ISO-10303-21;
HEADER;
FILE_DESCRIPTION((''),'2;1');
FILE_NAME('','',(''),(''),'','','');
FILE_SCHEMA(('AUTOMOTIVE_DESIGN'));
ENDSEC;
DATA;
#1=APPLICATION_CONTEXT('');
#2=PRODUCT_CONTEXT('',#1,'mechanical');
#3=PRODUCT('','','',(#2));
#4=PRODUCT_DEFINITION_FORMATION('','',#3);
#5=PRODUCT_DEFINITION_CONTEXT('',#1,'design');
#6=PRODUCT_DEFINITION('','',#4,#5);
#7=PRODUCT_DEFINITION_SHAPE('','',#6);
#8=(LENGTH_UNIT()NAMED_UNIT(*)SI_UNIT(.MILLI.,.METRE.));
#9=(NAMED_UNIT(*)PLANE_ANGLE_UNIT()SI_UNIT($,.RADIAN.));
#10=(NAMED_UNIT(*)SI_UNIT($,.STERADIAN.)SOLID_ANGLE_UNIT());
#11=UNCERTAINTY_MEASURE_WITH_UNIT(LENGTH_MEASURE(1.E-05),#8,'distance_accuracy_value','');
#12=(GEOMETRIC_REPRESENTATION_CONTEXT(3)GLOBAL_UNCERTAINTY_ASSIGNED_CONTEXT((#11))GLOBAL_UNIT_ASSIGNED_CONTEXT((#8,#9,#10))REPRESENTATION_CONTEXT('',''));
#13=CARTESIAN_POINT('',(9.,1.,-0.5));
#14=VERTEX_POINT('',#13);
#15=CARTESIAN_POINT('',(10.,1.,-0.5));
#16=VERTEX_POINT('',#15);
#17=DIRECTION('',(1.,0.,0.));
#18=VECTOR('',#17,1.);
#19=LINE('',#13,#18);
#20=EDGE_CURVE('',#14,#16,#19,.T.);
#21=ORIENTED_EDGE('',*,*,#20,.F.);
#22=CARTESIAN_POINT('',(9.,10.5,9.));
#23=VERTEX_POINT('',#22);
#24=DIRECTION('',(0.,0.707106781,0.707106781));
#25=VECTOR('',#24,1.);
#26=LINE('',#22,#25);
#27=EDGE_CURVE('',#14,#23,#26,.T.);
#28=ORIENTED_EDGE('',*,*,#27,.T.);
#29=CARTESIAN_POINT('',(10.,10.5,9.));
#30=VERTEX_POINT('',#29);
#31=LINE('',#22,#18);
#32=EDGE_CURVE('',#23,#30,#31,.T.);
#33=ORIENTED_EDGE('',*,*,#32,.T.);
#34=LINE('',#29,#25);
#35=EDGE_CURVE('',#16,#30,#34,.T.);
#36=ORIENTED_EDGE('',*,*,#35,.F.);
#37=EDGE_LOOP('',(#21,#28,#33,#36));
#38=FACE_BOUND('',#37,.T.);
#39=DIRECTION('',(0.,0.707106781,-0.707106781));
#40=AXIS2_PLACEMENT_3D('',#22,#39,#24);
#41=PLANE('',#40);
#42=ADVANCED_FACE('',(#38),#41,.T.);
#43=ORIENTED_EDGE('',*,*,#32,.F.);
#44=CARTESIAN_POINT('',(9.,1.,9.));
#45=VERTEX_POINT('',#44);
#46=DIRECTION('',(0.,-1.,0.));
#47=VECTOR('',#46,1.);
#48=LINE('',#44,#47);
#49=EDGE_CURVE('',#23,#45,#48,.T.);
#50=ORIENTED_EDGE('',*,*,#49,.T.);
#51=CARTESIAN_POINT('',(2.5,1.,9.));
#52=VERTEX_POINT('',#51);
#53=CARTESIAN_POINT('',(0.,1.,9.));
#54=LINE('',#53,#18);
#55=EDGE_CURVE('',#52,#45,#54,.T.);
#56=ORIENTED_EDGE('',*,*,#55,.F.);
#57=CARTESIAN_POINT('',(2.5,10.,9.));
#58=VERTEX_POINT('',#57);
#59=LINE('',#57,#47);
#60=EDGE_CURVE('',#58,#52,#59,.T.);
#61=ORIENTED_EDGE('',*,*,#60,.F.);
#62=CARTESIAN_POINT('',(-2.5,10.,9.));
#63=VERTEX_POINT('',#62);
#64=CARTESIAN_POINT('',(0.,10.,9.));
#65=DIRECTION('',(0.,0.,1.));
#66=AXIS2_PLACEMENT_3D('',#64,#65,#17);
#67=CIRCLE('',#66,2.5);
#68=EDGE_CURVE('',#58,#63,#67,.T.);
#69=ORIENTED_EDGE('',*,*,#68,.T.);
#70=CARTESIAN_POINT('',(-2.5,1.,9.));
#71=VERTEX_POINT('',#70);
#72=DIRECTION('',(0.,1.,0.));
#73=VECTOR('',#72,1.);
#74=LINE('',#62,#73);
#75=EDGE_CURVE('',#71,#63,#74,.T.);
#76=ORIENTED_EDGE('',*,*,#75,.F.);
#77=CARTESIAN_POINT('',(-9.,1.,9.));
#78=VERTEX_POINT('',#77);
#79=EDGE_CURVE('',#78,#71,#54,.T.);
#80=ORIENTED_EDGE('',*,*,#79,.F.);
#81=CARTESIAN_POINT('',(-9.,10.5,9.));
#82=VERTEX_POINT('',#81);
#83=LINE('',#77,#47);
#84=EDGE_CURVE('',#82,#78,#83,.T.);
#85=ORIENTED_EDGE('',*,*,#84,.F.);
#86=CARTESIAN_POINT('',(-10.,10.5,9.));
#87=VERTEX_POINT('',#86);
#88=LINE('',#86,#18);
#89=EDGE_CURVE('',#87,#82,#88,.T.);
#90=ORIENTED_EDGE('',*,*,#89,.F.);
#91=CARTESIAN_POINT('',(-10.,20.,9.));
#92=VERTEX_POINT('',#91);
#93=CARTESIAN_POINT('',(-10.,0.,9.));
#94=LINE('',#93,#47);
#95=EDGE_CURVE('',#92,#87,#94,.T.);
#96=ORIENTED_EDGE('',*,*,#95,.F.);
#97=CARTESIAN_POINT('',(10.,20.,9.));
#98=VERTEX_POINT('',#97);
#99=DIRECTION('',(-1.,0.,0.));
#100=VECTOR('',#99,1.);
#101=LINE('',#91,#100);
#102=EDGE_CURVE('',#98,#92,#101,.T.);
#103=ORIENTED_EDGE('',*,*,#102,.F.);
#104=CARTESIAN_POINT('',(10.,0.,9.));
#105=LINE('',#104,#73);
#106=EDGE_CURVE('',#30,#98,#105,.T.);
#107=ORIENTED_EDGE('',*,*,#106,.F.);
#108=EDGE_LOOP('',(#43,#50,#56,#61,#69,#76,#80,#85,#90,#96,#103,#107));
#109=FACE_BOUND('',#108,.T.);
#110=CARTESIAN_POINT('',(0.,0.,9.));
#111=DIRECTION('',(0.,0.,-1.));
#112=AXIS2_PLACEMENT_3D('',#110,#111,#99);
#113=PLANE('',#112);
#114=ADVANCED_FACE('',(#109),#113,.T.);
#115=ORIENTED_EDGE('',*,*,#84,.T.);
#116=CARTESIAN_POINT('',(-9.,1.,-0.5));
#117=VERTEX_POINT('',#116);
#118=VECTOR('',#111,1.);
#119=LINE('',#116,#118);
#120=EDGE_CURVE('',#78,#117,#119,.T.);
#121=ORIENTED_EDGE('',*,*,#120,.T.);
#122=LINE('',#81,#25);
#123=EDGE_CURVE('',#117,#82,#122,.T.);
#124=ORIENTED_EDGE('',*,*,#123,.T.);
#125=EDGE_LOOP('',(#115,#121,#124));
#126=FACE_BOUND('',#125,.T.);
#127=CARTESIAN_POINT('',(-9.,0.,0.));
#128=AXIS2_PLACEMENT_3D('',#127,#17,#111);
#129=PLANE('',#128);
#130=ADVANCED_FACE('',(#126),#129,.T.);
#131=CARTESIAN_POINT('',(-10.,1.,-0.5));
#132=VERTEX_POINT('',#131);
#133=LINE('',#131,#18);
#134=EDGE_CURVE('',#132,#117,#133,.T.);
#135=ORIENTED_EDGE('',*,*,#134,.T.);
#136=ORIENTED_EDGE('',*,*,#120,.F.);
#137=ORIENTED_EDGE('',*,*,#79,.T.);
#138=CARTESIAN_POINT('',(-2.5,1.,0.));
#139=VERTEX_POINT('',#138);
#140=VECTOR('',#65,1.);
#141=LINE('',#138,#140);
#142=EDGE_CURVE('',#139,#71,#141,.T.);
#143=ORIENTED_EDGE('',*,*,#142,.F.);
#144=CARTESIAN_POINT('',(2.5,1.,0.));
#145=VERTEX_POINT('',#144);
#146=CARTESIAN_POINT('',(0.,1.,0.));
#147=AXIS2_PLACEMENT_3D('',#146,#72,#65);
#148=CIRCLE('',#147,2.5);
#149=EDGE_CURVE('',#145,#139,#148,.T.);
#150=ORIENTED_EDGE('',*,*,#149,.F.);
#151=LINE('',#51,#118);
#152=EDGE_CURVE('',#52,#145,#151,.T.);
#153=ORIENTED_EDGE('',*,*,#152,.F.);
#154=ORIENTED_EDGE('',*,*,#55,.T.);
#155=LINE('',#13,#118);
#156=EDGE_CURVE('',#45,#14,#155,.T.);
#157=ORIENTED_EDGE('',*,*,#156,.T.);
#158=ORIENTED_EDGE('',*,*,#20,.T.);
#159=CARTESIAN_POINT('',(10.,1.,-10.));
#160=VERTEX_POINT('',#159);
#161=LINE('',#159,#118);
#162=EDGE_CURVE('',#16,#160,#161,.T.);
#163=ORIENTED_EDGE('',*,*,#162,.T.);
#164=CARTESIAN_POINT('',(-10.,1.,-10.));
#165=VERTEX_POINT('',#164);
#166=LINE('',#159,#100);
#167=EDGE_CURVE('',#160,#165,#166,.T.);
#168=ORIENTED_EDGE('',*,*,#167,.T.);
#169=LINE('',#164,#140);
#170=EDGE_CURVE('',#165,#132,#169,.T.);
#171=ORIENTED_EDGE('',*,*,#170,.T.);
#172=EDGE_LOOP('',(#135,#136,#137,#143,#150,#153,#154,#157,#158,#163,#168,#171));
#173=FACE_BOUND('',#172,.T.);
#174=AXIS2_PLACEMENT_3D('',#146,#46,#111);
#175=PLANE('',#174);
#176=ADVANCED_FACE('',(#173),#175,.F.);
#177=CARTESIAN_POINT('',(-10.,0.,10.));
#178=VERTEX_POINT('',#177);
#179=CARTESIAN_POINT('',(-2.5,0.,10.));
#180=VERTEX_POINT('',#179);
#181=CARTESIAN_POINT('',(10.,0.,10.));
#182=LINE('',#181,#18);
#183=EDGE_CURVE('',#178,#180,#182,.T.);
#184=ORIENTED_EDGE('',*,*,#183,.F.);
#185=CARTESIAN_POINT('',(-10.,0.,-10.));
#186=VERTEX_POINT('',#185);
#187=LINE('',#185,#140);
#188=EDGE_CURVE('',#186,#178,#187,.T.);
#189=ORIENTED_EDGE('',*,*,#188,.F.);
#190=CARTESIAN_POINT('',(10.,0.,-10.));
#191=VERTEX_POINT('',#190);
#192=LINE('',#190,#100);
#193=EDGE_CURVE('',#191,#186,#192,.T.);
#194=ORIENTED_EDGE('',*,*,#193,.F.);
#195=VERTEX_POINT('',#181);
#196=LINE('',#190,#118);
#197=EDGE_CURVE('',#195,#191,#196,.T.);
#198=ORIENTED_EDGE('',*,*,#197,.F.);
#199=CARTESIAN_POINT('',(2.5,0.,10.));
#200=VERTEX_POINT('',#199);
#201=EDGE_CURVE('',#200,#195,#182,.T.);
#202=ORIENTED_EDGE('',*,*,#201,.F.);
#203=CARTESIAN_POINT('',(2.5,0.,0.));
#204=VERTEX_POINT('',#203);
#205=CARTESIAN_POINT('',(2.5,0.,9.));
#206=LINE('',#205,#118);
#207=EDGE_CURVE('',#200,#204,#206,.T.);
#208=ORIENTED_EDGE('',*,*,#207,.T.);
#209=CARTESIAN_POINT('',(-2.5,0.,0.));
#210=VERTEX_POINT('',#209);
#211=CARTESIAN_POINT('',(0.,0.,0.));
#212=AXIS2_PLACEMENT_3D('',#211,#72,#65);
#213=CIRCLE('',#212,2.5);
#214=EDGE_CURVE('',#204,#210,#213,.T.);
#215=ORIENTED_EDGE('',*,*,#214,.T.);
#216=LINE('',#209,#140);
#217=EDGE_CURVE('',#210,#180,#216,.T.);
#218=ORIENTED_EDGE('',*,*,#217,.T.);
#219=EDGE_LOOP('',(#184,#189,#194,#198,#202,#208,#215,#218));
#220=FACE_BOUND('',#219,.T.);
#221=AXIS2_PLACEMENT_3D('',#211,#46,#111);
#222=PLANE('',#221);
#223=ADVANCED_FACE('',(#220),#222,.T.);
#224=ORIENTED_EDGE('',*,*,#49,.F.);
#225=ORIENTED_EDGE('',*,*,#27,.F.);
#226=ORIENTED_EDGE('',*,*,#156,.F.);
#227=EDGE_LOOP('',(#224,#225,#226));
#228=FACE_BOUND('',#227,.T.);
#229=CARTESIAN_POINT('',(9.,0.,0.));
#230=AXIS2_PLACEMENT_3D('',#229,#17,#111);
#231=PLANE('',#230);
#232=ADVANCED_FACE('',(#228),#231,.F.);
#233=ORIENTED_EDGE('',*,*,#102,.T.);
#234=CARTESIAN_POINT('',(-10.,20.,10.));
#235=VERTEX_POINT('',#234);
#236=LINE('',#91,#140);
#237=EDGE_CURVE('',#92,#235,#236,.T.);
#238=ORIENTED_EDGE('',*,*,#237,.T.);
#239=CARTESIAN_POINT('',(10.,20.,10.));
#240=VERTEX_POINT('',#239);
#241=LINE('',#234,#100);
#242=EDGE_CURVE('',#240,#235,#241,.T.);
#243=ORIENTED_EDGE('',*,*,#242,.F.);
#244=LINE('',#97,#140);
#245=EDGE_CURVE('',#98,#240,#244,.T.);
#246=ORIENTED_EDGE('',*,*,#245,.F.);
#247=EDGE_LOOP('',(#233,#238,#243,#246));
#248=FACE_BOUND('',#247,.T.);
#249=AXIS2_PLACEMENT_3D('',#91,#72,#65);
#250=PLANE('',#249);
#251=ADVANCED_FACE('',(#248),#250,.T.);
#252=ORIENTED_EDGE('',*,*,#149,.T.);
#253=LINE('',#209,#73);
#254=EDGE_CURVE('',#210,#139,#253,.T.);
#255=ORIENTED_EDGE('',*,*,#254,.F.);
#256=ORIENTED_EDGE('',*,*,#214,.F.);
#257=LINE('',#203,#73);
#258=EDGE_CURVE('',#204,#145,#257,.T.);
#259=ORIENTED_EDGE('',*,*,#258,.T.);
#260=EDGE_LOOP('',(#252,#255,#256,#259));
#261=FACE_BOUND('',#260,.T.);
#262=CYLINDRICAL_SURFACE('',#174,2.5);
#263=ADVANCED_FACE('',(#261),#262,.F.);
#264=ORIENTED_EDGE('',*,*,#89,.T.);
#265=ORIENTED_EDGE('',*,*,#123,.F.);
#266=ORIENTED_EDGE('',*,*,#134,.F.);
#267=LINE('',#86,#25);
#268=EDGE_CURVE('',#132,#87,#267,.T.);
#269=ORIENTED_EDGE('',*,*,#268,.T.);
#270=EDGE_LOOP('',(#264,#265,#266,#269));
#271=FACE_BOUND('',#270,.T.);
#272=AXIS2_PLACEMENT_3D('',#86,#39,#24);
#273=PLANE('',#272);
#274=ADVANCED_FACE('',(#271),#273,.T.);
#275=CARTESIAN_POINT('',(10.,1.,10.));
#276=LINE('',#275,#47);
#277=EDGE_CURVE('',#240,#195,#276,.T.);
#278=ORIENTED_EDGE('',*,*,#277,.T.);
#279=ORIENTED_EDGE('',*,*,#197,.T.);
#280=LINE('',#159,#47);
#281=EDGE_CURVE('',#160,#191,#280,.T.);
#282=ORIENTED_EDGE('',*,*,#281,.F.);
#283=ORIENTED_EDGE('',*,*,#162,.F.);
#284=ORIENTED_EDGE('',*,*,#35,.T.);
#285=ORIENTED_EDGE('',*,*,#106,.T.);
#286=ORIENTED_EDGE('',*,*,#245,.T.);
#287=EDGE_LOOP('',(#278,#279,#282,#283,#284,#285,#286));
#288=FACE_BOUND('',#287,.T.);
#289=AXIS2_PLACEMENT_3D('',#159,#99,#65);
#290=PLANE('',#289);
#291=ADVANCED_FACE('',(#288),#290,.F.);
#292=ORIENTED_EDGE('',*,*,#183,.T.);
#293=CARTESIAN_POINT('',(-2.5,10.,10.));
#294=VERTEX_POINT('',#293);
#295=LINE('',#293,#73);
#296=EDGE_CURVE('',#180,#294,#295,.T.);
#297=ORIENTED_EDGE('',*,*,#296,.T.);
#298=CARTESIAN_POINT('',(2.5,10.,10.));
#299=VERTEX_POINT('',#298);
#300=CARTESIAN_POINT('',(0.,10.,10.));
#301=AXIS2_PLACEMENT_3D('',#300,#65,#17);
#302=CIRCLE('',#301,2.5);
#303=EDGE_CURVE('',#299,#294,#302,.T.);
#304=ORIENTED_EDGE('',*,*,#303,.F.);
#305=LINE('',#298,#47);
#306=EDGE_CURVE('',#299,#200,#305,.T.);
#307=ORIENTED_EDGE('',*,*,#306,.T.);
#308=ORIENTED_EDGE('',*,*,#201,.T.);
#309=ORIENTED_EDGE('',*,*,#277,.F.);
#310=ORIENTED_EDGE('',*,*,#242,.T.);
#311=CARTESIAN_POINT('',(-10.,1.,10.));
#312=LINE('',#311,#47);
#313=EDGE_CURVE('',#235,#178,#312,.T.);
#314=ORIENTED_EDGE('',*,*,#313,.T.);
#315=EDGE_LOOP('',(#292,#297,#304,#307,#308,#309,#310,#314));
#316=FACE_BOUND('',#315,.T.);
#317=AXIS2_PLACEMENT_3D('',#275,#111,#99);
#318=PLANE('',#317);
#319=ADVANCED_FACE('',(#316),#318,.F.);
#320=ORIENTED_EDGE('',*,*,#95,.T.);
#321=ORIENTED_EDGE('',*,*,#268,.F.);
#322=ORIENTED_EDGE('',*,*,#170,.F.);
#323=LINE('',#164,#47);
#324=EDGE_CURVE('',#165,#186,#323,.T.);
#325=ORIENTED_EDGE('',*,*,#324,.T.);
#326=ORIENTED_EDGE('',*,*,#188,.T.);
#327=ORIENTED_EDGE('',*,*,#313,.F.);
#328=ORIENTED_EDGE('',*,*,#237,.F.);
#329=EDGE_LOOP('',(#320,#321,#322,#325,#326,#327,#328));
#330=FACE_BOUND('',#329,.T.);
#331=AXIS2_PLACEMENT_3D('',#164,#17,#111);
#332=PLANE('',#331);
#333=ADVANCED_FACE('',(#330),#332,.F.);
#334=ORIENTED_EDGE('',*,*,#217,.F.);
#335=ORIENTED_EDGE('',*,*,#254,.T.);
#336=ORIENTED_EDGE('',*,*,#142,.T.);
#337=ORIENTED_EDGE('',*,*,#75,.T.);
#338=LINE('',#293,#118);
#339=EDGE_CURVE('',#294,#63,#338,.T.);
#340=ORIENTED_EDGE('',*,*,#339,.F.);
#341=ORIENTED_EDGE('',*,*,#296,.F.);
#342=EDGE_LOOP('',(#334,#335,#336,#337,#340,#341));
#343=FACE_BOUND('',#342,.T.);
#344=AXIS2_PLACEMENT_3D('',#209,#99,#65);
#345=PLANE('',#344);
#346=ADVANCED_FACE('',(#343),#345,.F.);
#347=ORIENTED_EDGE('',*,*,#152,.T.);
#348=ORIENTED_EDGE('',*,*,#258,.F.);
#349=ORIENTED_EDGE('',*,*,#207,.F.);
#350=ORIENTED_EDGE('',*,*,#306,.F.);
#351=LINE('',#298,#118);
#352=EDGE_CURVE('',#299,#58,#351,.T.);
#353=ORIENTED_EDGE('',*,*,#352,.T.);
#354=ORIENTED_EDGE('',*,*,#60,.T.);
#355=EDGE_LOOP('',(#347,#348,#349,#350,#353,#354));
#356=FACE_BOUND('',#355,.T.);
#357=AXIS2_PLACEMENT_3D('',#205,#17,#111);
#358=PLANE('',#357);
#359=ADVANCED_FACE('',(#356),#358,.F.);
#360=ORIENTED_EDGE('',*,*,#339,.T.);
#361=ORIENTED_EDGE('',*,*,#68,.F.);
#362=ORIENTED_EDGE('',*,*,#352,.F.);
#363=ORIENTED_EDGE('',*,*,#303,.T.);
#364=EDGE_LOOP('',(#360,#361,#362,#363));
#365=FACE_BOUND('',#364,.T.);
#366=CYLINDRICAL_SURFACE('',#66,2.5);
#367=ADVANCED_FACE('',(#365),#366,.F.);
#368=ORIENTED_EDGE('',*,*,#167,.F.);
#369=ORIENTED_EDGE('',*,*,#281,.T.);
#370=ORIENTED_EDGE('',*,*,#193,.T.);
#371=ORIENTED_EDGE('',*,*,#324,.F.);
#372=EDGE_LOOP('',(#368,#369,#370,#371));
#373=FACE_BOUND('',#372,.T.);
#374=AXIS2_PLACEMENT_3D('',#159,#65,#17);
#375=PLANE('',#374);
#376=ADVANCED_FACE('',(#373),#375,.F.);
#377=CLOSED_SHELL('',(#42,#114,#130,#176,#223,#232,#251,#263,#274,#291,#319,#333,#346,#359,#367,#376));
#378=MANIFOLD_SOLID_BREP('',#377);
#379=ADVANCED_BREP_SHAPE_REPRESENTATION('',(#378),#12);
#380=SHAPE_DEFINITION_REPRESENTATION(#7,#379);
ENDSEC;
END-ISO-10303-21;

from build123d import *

# Parameters (mm, degrees)
SKETCH1_W           = 20
SKETCH1_H           = 20
SKETCH1_R           = 2.5
BOSS_EXTRUDE1_DEPTH = 1
SKETCH2_W           = 20
SKETCH2_H           = 20
SKETCH2_R           = 2.5
BOSS_EXTRUDE2_DEPTH = 1
BOSS_EXTRUDE3_DEPTH = 1
BOSS_EXTRUDE4_START = -19
BOSS_EXTRUDE4_DEPTH = 1
SKETCH5_W           = 5
SKETCH5_H           = 9
CUT_EXTRUDE1_DEPTH  = 24.685438565
SKETCH4_W           = 5
SKETCH4_H           = 10
CUT_EXTRUDE2_DEPTH  = 30.342801502


with BuildPart() as part:
    # Sketch1 → Boss-Extrude1 (new body)
    with BuildSketch(Plane(origin=(0, 0, 0), x_dir=(1, 0, 0), z_dir=(0, 1, 0))):
        Rectangle(SKETCH1_W, SKETCH1_H)
        Circle(SKETCH1_R, mode=Mode.SUBTRACT)
    extrude(amount=BOSS_EXTRUDE1_DEPTH)

    # Sketch2 → Boss-Extrude2 (add)
    with BuildSketch(Plane.XY.offset(10)):
        with Locations((0, 10)):
            Rectangle(SKETCH2_W, SKETCH2_H)
        with Locations((0, 10)):
            Circle(SKETCH2_R, mode=Mode.SUBTRACT)
    extrude(amount=-BOSS_EXTRUDE2_DEPTH)

    # Sketch3 → Boss-Extrude3 (add)
    with BuildSketch(Plane(origin=(10, 0, 0), x_dir=(0, 0, -1), z_dir=(1, 0, 0))):
        Polygon((-9, 10.5), (0.5, 1), (-9, 1), align=None)
    extrude(amount=-BOSS_EXTRUDE3_DEPTH)

    # Sketch3<2> → Boss-Extrude4 (add)
    with BuildSketch(Plane(origin=(10, 0, 0), x_dir=(0, 0, -1), z_dir=(1, 0, 0)).offset(BOSS_EXTRUDE4_START)):
        Polygon((-9, 10.5), (0.5, 1), (-9, 1), align=None)
    extrude(amount=-BOSS_EXTRUDE4_DEPTH)

    # Sketch5 → Cut-Extrude1 (cut, through all)
    with BuildSketch(Plane(origin=(0, 1, 0), x_dir=(1, 0, 0), z_dir=(0, 1, 0))):
        with Locations((0, -4.5)):
            Rectangle(SKETCH5_W, SKETCH5_H)
    extrude(amount=-CUT_EXTRUDE1_DEPTH, mode=Mode.SUBTRACT)

    # Sketch4 → Cut-Extrude2 (cut, through all)
    with BuildSketch(Plane(origin=(0, 0, 9), x_dir=(-1, 0, 0), z_dir=(0, 0, -1))):
        with Locations((0, 5)):
            Rectangle(SKETCH4_W, SKETCH4_H)
    extrude(amount=-CUT_EXTRUDE2_DEPTH, mode=Mode.SUBTRACT)


solid = part.part
